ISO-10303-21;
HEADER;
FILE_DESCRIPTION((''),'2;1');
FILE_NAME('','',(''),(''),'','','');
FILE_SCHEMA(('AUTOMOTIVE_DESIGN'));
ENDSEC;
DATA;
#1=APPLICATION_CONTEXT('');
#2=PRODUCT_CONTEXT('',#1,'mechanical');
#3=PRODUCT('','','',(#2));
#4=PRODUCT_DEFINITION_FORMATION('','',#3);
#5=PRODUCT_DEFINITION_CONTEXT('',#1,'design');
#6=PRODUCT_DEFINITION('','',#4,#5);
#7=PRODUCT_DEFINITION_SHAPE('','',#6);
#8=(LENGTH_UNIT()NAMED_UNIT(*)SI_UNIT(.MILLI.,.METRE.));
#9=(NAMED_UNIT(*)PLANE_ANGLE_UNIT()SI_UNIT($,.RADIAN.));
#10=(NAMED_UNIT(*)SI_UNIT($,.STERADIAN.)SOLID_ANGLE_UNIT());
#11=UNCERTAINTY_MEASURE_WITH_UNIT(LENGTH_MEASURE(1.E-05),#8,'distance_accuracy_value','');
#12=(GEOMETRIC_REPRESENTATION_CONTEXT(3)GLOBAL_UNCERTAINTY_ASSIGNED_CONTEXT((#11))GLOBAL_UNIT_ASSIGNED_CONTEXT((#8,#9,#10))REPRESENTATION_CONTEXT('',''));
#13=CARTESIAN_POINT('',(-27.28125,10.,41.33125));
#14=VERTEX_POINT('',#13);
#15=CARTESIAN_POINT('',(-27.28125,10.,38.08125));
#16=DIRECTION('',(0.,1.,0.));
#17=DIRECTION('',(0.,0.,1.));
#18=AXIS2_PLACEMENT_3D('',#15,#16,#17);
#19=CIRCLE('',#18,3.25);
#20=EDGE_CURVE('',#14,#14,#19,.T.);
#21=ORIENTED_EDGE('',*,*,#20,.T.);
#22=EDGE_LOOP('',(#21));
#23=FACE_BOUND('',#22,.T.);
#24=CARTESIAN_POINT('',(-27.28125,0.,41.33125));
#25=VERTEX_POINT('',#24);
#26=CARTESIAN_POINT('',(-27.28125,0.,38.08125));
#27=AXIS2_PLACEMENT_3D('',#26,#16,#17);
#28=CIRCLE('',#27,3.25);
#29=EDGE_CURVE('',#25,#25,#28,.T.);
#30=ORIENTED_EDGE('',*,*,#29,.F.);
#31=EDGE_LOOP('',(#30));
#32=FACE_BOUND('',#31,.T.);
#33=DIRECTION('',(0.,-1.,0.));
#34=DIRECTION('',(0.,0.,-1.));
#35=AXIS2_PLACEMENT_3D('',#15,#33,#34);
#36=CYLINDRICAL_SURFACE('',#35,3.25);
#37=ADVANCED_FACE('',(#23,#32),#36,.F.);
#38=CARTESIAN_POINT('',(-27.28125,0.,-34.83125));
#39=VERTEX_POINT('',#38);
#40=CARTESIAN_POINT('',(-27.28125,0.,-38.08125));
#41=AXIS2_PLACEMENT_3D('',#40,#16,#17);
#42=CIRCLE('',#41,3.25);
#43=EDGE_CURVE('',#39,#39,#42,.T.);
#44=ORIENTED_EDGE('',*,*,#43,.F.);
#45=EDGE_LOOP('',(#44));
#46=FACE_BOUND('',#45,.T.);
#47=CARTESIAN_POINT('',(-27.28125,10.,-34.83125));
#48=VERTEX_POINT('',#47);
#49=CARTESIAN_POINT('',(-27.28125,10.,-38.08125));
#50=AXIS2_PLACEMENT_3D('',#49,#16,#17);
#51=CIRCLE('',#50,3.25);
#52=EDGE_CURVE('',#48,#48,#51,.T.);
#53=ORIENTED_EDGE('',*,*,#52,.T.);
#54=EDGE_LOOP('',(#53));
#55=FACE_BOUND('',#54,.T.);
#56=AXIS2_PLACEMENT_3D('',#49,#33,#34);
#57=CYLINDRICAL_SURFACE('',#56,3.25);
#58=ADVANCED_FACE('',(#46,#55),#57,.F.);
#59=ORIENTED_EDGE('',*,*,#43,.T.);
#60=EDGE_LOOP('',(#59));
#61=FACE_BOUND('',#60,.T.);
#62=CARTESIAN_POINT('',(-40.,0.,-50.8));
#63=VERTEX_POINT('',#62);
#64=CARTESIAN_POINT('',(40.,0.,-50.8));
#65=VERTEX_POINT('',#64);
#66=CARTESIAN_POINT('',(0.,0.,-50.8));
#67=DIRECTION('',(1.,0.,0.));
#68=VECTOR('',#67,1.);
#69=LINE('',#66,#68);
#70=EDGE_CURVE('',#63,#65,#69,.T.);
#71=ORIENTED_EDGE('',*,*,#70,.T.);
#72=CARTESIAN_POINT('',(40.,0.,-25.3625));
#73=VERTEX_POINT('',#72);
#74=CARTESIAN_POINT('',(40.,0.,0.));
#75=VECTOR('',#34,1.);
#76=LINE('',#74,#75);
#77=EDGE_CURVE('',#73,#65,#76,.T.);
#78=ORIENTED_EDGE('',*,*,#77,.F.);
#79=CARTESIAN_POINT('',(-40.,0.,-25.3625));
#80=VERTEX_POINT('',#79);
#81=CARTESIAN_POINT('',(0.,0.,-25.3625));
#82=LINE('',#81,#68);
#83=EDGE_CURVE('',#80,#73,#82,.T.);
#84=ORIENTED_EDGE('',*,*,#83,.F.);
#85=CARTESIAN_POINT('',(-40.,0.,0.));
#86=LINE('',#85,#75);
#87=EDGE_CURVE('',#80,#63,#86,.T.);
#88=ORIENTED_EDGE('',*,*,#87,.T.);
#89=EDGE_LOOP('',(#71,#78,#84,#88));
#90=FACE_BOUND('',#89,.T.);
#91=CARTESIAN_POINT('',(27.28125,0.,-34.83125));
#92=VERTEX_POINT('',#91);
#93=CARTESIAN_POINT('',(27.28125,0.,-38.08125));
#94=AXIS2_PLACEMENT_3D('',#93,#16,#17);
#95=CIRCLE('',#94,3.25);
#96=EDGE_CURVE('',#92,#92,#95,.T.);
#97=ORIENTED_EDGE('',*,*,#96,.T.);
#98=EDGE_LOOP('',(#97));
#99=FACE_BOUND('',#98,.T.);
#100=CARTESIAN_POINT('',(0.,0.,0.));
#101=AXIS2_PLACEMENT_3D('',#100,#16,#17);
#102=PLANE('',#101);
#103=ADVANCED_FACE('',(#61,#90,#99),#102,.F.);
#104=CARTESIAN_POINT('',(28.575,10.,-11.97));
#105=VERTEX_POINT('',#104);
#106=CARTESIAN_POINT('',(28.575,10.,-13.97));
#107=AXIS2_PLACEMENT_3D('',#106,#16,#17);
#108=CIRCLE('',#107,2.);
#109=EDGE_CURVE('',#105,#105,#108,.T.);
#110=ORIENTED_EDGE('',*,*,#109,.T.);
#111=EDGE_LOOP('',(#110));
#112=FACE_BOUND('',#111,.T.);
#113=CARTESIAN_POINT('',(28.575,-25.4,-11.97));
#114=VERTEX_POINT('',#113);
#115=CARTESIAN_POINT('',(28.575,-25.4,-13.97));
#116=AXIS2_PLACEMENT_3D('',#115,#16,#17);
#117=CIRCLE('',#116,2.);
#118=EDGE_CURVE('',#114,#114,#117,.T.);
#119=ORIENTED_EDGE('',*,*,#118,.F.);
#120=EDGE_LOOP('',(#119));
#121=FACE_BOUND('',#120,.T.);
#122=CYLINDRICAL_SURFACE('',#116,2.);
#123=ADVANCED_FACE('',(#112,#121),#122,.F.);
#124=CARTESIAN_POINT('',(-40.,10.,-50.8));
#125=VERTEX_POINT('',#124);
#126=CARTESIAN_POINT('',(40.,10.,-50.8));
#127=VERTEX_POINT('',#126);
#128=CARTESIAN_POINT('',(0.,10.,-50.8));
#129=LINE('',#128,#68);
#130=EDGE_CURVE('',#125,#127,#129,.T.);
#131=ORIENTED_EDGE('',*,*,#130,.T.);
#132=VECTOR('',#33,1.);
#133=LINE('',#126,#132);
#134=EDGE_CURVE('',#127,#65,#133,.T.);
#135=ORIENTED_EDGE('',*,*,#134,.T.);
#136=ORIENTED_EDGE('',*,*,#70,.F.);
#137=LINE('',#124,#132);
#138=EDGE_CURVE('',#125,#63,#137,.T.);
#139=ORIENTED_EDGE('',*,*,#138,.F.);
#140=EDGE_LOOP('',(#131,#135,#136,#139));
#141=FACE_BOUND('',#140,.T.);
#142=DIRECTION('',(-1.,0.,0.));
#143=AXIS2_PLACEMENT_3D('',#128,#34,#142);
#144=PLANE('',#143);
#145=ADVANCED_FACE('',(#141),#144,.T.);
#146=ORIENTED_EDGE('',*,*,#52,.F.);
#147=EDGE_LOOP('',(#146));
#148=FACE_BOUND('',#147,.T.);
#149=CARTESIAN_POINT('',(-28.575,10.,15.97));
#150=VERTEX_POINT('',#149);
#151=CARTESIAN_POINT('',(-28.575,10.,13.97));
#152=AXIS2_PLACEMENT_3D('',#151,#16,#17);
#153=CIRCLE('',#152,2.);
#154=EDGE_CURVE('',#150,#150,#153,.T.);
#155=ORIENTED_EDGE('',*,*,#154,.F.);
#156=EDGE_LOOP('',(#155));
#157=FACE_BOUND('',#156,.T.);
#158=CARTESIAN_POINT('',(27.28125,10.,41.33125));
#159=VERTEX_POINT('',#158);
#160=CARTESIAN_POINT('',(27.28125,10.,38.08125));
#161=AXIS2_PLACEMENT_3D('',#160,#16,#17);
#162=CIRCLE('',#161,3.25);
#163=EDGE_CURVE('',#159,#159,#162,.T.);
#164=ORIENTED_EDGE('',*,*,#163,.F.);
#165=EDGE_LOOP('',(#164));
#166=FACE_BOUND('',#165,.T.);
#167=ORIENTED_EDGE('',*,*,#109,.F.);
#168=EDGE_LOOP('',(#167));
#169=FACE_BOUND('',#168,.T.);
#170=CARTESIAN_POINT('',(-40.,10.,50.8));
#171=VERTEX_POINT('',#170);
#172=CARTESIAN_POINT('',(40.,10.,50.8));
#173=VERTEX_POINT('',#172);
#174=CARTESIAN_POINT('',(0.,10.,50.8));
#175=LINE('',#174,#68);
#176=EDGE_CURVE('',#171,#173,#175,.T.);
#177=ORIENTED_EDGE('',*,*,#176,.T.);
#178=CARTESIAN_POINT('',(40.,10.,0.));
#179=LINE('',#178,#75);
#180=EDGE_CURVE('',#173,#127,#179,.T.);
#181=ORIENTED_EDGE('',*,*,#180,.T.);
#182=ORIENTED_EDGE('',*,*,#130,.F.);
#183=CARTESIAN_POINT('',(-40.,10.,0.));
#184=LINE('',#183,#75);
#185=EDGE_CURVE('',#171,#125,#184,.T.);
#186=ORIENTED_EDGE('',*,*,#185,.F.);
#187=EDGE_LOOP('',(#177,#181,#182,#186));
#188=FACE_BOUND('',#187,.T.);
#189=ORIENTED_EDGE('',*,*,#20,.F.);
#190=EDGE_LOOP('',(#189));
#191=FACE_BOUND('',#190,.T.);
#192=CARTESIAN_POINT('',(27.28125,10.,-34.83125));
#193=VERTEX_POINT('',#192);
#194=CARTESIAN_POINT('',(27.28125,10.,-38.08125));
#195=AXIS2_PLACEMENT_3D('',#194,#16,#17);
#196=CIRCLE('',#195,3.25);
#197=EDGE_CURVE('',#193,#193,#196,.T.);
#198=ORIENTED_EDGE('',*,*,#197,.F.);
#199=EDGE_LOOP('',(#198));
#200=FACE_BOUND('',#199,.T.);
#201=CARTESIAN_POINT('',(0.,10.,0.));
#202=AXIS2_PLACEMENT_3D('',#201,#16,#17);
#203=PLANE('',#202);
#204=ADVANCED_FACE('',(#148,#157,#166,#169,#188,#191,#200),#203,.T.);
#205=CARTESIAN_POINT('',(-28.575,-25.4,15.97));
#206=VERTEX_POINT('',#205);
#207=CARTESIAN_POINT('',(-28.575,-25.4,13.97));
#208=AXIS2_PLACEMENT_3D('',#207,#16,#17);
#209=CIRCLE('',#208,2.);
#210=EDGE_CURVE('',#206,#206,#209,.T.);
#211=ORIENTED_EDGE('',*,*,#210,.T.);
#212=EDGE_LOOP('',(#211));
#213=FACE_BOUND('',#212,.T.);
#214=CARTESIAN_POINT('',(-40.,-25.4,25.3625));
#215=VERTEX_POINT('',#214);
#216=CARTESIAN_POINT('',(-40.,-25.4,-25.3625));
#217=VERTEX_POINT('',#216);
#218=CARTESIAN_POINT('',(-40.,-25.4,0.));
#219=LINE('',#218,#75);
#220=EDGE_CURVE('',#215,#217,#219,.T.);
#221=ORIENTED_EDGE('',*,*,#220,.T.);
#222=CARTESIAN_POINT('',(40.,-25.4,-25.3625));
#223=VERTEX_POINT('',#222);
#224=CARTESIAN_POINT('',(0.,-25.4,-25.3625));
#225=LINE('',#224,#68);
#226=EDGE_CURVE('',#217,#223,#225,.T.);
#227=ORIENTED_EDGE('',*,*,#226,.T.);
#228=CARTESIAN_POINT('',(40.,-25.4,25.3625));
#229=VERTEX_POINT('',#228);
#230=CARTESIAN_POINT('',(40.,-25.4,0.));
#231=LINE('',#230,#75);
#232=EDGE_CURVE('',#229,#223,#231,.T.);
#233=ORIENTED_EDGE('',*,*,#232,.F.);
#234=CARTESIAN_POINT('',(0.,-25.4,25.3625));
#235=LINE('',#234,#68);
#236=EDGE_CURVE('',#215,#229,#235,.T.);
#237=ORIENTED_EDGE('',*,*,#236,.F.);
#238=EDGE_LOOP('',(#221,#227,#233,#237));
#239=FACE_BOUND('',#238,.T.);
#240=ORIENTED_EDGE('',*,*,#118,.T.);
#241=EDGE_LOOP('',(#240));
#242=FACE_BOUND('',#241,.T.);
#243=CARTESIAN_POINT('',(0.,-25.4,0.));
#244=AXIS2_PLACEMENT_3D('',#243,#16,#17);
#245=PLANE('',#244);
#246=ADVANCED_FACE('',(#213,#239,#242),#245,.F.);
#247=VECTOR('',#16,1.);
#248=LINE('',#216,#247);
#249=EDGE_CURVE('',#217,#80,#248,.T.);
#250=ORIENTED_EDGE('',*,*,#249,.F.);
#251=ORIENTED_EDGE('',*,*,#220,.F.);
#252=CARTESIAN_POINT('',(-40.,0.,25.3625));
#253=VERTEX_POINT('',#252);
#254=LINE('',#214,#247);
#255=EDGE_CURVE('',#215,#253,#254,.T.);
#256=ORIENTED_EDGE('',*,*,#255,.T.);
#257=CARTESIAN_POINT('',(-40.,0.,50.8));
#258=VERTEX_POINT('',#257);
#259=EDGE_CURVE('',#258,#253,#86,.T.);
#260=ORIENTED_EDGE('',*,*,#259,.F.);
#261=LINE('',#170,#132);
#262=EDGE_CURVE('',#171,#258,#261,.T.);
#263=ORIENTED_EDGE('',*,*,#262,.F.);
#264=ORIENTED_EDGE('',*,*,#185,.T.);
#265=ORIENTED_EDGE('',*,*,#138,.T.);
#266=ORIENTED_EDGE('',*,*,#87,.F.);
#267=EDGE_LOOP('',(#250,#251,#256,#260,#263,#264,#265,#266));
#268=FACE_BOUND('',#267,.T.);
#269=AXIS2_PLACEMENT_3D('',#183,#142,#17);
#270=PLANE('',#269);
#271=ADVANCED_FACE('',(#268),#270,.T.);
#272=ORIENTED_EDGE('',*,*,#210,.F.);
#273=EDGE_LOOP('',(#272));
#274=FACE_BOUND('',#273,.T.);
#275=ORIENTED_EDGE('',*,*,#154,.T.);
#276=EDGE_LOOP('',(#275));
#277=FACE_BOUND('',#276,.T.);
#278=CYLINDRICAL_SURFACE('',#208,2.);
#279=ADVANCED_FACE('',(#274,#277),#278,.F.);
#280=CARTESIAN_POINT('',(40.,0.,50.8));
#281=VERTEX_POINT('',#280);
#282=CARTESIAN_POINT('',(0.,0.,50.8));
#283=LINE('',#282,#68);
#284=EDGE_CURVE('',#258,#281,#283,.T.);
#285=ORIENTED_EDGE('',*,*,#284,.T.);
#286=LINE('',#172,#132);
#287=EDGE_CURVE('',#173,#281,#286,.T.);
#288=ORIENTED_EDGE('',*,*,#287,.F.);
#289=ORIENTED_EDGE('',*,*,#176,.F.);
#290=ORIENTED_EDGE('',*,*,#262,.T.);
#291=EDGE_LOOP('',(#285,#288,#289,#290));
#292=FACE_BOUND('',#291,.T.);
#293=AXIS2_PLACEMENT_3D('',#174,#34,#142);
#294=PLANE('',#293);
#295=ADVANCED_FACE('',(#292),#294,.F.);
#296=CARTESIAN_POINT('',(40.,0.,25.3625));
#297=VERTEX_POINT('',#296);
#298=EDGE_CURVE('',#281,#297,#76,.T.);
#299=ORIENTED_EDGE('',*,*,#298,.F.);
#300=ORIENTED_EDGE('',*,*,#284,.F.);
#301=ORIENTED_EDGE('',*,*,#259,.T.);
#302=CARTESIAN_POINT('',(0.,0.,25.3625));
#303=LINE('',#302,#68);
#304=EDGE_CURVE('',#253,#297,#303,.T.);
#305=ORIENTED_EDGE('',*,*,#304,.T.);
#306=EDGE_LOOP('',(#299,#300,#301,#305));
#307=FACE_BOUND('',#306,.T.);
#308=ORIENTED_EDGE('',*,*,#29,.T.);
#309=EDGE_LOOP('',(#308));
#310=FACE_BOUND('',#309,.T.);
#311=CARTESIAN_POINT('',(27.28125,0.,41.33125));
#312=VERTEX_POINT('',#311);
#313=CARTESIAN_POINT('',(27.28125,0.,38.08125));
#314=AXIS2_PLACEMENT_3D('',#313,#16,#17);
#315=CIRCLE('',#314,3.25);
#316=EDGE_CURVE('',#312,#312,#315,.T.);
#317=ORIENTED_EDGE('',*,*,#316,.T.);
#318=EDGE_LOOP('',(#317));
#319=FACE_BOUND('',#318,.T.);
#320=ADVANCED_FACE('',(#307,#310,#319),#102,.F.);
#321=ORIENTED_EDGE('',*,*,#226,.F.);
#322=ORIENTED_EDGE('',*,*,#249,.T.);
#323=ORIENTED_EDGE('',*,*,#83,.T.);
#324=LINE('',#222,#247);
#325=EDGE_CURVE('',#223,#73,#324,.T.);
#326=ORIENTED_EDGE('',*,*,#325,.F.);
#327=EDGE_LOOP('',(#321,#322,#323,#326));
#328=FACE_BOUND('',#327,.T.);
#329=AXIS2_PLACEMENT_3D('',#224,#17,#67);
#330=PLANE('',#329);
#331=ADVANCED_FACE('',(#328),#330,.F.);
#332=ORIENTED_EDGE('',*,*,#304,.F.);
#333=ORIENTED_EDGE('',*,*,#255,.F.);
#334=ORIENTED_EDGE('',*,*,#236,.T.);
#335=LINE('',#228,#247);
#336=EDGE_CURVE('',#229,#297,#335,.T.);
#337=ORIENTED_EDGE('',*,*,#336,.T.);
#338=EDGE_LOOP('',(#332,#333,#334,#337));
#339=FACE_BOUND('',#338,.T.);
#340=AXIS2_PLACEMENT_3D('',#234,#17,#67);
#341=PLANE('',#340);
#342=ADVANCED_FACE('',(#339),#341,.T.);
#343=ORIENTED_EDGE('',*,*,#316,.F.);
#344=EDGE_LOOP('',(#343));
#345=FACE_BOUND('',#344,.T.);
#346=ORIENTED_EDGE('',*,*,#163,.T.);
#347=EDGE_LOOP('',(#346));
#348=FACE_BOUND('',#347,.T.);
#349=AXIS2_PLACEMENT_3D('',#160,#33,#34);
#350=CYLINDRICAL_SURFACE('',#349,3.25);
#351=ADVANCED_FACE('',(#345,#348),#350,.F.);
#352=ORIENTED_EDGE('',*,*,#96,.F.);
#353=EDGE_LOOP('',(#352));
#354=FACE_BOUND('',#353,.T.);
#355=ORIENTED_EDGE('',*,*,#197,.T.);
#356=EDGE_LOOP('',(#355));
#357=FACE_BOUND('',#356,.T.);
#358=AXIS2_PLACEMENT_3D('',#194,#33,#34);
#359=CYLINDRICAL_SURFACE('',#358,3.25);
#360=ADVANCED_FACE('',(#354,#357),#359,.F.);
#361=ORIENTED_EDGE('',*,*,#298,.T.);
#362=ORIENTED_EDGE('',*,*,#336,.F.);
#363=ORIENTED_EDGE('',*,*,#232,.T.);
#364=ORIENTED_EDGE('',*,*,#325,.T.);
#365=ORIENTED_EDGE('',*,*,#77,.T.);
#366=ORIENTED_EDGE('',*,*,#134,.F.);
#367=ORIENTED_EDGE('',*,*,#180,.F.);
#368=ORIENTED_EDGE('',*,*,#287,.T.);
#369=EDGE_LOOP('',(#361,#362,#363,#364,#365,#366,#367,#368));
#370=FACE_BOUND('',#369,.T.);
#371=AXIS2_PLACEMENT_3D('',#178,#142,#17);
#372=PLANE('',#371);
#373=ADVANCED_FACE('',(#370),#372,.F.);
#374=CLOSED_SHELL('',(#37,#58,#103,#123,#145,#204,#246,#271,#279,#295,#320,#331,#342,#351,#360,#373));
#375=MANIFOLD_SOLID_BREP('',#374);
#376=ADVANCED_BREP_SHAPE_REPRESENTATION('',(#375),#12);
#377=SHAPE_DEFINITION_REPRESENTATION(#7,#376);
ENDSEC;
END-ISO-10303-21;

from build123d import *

# Parameters (mm, degrees)
SKETCH1_W           = 80
SKETCH1_H           = 101.6
SKETCH1_R           = 3.25
BOSS_EXTRUDE1_DEPTH = 10
SKETCH1_3_W         = 80
SKETCH1_3_H         = 50.725
BOSS_EXTRUDE2_DEPTH = 25.4
SKETCH2_R           = 2
CUT_EXTRUDE1_DEPTH  = 74.7143134


with BuildPart() as part:
    # Sketch1 → Boss-Extrude1 (new body)
    with BuildSketch(Plane(origin=(0, 0, 0), x_dir=(1, 0, 0), z_dir=(0, 1, 0))):
        Rectangle(SKETCH1_W, SKETCH1_H)
        with Locations((27.28125, 38.08125)):
            Circle(SKETCH1_R, mode=Mode.SUBTRACT)
        with Locations((-27.28125, 38.08125)):
            Circle(SKETCH1_R, mode=Mode.SUBTRACT)
        with Locations((27.28125, -38.08125)):
            Circle(SKETCH1_R, mode=Mode.SUBTRACT)
        with Locations((-27.28125, -38.08125)):
            Circle(SKETCH1_R, mode=Mode.SUBTRACT)
    extrude(amount=BOSS_EXTRUDE1_DEPTH)

    # Sketch1<3> → Boss-Extrude2 (add)
    with BuildSketch(Plane(origin=(0, 0, 0), x_dir=(1, 0, 0), z_dir=(0, 1, 0))):
        Rectangle(SKETCH1_3_W, SKETCH1_3_H)
    extrude(amount=-BOSS_EXTRUDE2_DEPTH)

    # Sketch2 → Cut-Extrude1 (cut, through all)
    with BuildSketch(Plane(origin=(0, 10, 0), x_dir=(1, 0, 0), z_dir=(0, 1, 0))):
        with Locations((-28.575, -13.97)):
            Circle(SKETCH2_R)
        with Locations((28.575, 13.97)):
            Circle(SKETCH2_R)
    extrude(amount=-CUT_EXTRUDE1_DEPTH, mode=Mode.SUBTRACT)


solid = part.part
